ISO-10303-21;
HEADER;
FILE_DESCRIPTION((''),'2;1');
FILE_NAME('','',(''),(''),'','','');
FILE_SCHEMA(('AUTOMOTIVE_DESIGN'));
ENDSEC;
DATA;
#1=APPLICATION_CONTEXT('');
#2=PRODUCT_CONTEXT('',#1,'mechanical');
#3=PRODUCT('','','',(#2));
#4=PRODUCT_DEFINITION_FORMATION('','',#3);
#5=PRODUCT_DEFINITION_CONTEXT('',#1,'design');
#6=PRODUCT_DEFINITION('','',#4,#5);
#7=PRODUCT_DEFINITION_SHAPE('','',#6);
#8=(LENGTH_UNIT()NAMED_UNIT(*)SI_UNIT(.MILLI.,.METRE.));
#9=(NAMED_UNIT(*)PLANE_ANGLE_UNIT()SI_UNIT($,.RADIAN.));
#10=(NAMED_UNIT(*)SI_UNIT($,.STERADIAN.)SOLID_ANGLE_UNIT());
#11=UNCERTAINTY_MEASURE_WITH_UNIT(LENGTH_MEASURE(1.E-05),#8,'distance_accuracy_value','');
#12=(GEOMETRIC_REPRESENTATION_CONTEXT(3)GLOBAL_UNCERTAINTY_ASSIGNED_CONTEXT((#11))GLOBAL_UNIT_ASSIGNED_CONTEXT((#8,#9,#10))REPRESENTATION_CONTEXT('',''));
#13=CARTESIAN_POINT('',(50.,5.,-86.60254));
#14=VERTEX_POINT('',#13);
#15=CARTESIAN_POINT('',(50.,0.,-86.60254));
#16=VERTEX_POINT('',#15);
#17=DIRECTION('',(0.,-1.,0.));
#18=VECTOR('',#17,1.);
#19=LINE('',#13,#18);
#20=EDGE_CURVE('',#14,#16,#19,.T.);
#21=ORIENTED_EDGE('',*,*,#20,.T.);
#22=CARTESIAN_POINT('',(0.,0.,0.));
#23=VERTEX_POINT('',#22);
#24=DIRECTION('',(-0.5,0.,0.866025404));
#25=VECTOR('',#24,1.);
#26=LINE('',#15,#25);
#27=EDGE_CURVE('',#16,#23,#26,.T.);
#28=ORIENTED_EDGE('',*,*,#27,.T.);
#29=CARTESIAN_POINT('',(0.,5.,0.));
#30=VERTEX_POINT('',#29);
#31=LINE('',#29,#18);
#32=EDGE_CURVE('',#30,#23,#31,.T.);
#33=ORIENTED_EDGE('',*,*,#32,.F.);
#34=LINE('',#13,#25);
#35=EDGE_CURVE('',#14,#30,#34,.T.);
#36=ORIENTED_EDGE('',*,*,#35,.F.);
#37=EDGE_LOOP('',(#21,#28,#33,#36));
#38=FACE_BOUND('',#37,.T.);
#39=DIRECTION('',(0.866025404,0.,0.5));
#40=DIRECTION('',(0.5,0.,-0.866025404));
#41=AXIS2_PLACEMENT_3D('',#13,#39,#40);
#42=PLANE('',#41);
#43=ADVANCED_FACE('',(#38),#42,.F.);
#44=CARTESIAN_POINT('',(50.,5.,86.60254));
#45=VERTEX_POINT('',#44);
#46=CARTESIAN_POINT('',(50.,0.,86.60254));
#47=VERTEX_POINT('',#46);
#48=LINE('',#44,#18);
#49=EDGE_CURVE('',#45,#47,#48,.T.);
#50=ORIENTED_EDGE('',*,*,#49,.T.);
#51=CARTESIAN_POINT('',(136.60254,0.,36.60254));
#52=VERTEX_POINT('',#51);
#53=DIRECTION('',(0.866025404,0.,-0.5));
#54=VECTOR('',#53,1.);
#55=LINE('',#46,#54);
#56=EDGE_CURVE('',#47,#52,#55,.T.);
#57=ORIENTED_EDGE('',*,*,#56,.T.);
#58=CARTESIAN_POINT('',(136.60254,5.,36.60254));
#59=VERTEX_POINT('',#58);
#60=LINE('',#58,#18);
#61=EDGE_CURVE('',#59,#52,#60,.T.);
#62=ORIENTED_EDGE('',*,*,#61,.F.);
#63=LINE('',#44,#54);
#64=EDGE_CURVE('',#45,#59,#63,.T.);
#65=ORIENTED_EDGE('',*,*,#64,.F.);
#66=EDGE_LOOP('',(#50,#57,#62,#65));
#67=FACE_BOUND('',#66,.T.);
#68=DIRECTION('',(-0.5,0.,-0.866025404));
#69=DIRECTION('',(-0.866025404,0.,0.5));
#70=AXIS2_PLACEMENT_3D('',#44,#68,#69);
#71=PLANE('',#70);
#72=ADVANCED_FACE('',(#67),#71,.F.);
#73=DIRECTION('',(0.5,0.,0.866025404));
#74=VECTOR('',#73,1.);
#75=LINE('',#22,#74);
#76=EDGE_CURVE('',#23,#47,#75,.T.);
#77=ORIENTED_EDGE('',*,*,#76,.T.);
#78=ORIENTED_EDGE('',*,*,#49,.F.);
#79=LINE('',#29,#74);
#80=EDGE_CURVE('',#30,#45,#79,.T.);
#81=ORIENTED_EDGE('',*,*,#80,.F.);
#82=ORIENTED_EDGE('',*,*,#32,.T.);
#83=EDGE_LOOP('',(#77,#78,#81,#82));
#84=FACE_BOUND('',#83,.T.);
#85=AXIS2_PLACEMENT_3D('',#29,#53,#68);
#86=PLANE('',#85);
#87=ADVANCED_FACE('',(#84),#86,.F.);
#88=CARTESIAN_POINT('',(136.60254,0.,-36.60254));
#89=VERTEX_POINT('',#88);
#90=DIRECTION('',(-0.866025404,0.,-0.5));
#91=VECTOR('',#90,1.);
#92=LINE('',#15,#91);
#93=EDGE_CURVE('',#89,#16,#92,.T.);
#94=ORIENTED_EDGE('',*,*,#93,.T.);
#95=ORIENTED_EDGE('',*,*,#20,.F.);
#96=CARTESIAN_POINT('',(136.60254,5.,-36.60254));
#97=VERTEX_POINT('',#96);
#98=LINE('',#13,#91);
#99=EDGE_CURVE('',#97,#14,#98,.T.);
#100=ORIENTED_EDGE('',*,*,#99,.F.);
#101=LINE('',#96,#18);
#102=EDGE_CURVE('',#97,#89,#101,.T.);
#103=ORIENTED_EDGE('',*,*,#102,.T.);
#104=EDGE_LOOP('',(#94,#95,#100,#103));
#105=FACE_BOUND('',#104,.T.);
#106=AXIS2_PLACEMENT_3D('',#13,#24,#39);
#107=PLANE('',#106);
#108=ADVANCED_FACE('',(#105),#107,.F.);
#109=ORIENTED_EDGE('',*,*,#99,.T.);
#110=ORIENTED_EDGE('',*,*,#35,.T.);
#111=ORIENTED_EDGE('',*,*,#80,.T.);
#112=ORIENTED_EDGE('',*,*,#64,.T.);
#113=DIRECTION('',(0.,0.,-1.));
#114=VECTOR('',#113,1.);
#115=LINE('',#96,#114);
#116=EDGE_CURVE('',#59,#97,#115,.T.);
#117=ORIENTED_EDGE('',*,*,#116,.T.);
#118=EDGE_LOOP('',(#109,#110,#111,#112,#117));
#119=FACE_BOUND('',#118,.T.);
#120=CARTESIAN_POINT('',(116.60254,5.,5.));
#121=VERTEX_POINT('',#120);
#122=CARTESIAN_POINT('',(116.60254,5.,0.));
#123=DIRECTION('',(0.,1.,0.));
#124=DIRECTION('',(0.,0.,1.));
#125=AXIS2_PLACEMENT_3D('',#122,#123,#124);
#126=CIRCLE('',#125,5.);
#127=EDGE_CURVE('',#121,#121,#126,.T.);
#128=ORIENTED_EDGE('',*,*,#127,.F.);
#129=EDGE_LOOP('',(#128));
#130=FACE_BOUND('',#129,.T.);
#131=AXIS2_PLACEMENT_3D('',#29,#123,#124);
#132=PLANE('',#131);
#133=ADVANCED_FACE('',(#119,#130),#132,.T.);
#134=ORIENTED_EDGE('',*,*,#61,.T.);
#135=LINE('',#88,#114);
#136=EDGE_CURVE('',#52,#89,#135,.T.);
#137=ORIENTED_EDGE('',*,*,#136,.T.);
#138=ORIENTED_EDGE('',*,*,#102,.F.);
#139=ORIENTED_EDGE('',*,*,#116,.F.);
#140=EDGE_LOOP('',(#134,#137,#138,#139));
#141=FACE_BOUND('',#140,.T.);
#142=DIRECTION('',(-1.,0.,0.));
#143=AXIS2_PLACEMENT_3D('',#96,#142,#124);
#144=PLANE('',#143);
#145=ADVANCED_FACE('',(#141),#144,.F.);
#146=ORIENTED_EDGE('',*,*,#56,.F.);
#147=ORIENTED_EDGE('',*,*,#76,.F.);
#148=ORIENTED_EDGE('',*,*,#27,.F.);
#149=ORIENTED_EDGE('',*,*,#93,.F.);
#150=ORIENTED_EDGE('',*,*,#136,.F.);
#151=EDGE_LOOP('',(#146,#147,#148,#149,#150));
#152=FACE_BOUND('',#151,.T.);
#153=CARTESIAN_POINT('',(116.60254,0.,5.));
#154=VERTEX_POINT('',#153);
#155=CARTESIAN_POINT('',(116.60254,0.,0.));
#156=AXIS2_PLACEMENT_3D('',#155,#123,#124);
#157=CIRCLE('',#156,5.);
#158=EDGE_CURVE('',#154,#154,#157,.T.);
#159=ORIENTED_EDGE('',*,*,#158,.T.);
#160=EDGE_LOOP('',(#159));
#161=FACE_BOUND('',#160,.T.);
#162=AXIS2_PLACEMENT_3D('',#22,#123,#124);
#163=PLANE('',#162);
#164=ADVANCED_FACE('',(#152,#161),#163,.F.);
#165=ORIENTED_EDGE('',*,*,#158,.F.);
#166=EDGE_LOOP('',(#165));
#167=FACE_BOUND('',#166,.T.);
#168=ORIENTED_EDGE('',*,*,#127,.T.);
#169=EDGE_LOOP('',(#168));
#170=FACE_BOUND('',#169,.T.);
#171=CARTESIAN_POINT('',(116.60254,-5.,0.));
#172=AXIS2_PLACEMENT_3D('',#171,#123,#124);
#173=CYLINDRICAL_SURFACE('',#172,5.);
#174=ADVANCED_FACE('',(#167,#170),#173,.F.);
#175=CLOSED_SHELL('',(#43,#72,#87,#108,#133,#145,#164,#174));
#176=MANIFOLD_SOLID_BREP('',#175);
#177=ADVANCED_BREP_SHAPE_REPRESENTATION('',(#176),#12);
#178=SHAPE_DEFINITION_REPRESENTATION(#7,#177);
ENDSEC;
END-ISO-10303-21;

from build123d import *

# Parameters (mm, degrees)
BOSS_EXTRU_1_DEPTH      = 5
ESQUISSE2_R             = 5
ENL_V_MAT_EXTRU_1_DEPTH = 10


with BuildPart() as part:
    # Esquisse1 → Boss.-Extru.1 (new body)
    with BuildSketch(Plane(origin=(0, 0, 0), x_dir=(1, 0, 0), z_dir=(0, 1, 0))):
        Polygon((0, 0), (50, -86.602540378), (136.602540378, -36.602540378), (136.602540378, 36.602540378), (50, 86.602540378), align=None)
    extrude(amount=BOSS_EXTRU_1_DEPTH)

    # Esquisse2 → Enlèv. mat.-Extru.1 (cut)
    with BuildSketch(Plane(origin=(0, 5, 0), x_dir=(1, 0, 0), z_dir=(0, 1, 0))):
        with Locations(Location((116.602540378, 0, 0), (0, 0, 270))):
            Circle(ESQUISSE2_R)
    extrude(amount=-ENL_V_MAT_EXTRU_1_DEPTH, mode=Mode.SUBTRACT)


solid = part.part
